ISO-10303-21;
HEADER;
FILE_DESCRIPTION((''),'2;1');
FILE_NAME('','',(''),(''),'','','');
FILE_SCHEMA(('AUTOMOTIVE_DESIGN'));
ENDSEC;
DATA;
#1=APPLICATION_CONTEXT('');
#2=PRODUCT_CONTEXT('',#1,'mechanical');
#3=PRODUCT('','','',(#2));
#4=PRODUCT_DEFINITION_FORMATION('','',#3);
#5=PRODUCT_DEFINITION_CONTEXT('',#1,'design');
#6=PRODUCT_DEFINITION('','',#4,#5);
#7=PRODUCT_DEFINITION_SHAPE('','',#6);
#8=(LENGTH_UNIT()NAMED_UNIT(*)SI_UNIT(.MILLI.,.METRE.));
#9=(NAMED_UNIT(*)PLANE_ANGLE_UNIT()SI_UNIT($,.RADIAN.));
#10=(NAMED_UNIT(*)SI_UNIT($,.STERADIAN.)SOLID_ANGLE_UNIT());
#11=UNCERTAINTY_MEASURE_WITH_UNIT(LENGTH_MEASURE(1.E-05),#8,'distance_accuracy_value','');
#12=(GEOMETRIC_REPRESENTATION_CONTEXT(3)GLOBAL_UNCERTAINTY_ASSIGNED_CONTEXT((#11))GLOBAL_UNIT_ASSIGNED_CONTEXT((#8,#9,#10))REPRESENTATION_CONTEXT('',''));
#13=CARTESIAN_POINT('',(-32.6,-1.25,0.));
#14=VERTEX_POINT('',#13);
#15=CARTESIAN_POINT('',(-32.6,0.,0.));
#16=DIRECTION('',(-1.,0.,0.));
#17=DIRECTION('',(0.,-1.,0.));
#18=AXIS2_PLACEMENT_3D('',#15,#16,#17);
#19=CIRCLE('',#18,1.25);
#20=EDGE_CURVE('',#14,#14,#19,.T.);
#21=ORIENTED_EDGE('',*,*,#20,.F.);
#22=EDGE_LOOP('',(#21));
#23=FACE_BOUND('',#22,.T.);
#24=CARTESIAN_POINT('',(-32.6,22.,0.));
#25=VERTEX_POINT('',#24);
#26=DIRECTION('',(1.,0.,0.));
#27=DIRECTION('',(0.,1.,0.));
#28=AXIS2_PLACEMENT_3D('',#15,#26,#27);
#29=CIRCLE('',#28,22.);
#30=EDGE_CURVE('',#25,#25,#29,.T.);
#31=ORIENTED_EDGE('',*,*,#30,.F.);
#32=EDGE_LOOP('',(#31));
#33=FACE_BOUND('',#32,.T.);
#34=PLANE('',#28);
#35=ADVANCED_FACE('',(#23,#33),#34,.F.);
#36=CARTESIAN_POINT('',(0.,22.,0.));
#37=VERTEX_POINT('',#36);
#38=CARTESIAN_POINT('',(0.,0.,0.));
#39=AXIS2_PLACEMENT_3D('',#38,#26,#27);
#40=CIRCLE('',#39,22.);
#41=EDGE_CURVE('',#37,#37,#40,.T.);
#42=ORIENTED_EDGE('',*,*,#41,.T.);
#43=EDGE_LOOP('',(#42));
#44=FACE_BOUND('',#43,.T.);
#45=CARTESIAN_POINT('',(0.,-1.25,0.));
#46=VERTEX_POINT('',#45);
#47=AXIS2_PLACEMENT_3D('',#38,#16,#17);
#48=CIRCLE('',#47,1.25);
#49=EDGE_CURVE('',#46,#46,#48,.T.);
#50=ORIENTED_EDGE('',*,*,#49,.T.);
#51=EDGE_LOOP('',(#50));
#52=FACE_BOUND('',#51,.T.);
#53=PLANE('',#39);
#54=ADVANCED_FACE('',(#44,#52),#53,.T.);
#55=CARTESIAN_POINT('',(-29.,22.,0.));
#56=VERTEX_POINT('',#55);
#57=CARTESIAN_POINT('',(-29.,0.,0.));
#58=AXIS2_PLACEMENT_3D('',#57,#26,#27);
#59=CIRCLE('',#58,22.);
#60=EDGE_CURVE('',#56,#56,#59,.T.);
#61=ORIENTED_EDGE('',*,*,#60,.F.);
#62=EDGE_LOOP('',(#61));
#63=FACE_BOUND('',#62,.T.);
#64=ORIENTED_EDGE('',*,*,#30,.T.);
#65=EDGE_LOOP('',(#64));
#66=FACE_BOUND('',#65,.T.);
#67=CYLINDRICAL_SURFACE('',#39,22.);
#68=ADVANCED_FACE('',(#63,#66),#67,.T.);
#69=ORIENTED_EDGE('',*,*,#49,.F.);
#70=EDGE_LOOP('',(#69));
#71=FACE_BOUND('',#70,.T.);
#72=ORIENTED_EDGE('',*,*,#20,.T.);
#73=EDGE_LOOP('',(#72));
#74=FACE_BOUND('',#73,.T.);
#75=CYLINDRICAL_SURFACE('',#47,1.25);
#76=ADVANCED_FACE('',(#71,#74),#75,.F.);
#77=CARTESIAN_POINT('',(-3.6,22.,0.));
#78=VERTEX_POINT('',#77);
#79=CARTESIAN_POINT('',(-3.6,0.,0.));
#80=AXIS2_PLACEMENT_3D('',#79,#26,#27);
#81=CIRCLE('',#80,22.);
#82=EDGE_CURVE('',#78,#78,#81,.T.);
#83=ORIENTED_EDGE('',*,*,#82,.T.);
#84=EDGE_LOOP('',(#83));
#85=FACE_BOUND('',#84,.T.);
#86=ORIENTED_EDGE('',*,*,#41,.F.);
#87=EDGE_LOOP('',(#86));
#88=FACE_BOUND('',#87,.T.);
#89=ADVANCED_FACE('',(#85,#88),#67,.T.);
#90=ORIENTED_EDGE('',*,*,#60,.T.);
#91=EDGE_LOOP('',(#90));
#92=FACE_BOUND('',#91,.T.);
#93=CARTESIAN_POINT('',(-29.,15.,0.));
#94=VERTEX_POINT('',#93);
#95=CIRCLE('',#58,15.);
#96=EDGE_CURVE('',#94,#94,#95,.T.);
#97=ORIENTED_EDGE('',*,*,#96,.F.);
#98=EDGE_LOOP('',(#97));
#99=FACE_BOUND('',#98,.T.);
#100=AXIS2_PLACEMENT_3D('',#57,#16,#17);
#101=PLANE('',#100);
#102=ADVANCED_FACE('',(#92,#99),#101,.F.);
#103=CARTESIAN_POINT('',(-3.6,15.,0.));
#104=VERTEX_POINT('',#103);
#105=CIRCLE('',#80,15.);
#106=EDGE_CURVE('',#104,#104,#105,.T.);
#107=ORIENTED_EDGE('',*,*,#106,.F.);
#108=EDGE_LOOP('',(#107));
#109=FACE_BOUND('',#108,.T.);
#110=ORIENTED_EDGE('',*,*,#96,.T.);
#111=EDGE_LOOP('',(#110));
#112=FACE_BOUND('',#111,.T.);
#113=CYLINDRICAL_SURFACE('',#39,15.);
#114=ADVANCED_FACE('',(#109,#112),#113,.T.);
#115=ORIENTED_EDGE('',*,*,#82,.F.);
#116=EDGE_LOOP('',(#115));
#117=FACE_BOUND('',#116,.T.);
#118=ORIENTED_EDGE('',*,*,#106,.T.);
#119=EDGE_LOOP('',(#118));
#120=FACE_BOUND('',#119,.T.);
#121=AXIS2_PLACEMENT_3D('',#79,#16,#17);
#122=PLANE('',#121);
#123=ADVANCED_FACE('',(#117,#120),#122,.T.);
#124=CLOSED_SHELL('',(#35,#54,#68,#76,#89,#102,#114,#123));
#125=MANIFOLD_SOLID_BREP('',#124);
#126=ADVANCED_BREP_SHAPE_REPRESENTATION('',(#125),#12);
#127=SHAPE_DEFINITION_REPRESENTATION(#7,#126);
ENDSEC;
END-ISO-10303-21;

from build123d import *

# Parameters (mm, degrees)
SKETCH1_W          = 32.6
SKETCH1_H          = 15
SKETCH1_W_2        = 3.6
SKETCH1_H_2        = 7
SKETCH2_R          = 1.25
CUT_EXTRUDE1_DEPTH = 33.6


with BuildPart() as part:
    # Sketch1 → Revolve1 (revolve)
    with BuildSketch(Plane.XY):
        with Locations((-16.3, 7.5)):
            Rectangle(SKETCH1_W, SKETCH1_H)
        with Locations((-30.8, 18.5)):
            Rectangle(SKETCH1_W_2, SKETCH1_H_2)
        with Locations((-1.8, 18.5)):
            Rectangle(SKETCH1_W_2, SKETCH1_H_2)
    revolve(axis=Axis((0, 0, 0), (-1, 0, 0)))

    # Sketch2 → Cut-Extrude1 (cut, through all)
    with BuildSketch(Plane.ZY.offset(32.6)):
        Circle(SKETCH2_R)
    extrude(amount=-CUT_EXTRUDE1_DEPTH, mode=Mode.SUBTRACT)


solid = part.part
